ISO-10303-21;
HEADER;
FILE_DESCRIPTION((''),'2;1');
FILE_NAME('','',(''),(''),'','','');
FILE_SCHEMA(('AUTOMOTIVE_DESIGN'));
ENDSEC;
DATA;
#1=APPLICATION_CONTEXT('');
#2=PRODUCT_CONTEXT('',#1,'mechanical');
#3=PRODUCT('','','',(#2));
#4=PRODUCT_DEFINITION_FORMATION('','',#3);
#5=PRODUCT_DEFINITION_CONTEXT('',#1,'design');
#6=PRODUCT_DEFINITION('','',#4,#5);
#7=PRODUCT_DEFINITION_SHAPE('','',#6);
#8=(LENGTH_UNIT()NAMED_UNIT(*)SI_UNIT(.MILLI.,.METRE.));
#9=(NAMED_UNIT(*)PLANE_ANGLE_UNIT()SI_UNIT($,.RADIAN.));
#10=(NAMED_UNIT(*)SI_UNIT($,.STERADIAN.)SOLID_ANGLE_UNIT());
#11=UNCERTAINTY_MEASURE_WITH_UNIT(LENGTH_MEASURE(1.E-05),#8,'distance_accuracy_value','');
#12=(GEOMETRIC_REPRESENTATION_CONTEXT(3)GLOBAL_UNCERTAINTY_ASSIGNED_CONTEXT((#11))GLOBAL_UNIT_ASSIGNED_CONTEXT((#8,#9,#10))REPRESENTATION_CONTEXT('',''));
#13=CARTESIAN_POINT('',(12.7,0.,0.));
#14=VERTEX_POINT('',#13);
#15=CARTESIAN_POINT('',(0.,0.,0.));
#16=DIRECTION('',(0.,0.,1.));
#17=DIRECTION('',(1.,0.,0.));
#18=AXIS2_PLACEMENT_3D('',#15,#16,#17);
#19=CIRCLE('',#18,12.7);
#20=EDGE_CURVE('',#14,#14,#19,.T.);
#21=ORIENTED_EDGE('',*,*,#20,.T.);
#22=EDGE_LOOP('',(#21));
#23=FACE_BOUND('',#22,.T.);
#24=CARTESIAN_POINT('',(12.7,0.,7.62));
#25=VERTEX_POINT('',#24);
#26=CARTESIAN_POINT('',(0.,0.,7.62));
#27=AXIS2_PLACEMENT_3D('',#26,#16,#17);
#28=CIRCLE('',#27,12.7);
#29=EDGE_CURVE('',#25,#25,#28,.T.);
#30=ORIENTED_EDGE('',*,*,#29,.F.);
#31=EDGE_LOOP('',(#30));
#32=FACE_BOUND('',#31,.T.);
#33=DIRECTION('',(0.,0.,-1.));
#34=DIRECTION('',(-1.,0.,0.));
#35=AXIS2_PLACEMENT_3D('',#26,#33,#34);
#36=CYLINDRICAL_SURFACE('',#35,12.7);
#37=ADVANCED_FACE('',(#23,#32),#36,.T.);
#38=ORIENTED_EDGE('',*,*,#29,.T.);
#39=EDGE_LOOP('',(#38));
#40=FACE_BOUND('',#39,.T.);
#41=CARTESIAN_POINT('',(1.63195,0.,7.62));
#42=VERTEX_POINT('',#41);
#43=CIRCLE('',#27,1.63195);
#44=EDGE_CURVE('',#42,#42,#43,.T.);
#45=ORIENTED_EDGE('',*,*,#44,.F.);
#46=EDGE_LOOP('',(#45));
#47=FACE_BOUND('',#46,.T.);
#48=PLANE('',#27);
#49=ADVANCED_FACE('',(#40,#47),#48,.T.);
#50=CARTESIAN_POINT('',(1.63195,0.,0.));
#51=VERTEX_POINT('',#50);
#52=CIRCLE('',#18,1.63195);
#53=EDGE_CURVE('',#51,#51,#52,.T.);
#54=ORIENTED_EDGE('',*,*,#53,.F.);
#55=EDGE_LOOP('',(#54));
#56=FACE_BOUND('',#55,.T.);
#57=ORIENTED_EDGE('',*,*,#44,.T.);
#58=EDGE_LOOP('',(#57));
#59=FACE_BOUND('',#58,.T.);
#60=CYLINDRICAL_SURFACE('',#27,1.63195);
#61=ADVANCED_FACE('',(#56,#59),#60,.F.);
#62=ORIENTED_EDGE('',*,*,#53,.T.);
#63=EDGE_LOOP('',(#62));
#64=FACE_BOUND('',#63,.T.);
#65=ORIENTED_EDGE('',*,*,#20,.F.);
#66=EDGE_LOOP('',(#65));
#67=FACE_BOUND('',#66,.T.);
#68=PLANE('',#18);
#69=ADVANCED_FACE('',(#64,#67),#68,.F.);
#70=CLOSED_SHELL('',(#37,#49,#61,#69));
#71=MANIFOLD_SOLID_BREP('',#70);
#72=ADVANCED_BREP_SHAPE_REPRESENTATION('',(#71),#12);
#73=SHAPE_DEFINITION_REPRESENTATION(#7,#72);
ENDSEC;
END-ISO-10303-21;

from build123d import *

# Parameters (mm, degrees)
SKETCH1_R             = 12.7
BOSS_EXTRUDE1_DEPTH   = 7.62
F_4_CLEARANCE_HOLE1_D = 3.2639


with BuildPart() as part:
    # Sketch1 → Boss-Extrude1 (new body)
    with BuildSketch(Plane.XY):
        Circle(SKETCH1_R)
    extrude(amount=BOSS_EXTRUDE1_DEPTH)

    # #4 Clearance Hole1 (through all)
    with Locations(Plane.XY.offset(7.62)):
        with Locations((0, 0)):
            Hole(F_4_CLEARANCE_HOLE1_D / 2)


solid = part.part
